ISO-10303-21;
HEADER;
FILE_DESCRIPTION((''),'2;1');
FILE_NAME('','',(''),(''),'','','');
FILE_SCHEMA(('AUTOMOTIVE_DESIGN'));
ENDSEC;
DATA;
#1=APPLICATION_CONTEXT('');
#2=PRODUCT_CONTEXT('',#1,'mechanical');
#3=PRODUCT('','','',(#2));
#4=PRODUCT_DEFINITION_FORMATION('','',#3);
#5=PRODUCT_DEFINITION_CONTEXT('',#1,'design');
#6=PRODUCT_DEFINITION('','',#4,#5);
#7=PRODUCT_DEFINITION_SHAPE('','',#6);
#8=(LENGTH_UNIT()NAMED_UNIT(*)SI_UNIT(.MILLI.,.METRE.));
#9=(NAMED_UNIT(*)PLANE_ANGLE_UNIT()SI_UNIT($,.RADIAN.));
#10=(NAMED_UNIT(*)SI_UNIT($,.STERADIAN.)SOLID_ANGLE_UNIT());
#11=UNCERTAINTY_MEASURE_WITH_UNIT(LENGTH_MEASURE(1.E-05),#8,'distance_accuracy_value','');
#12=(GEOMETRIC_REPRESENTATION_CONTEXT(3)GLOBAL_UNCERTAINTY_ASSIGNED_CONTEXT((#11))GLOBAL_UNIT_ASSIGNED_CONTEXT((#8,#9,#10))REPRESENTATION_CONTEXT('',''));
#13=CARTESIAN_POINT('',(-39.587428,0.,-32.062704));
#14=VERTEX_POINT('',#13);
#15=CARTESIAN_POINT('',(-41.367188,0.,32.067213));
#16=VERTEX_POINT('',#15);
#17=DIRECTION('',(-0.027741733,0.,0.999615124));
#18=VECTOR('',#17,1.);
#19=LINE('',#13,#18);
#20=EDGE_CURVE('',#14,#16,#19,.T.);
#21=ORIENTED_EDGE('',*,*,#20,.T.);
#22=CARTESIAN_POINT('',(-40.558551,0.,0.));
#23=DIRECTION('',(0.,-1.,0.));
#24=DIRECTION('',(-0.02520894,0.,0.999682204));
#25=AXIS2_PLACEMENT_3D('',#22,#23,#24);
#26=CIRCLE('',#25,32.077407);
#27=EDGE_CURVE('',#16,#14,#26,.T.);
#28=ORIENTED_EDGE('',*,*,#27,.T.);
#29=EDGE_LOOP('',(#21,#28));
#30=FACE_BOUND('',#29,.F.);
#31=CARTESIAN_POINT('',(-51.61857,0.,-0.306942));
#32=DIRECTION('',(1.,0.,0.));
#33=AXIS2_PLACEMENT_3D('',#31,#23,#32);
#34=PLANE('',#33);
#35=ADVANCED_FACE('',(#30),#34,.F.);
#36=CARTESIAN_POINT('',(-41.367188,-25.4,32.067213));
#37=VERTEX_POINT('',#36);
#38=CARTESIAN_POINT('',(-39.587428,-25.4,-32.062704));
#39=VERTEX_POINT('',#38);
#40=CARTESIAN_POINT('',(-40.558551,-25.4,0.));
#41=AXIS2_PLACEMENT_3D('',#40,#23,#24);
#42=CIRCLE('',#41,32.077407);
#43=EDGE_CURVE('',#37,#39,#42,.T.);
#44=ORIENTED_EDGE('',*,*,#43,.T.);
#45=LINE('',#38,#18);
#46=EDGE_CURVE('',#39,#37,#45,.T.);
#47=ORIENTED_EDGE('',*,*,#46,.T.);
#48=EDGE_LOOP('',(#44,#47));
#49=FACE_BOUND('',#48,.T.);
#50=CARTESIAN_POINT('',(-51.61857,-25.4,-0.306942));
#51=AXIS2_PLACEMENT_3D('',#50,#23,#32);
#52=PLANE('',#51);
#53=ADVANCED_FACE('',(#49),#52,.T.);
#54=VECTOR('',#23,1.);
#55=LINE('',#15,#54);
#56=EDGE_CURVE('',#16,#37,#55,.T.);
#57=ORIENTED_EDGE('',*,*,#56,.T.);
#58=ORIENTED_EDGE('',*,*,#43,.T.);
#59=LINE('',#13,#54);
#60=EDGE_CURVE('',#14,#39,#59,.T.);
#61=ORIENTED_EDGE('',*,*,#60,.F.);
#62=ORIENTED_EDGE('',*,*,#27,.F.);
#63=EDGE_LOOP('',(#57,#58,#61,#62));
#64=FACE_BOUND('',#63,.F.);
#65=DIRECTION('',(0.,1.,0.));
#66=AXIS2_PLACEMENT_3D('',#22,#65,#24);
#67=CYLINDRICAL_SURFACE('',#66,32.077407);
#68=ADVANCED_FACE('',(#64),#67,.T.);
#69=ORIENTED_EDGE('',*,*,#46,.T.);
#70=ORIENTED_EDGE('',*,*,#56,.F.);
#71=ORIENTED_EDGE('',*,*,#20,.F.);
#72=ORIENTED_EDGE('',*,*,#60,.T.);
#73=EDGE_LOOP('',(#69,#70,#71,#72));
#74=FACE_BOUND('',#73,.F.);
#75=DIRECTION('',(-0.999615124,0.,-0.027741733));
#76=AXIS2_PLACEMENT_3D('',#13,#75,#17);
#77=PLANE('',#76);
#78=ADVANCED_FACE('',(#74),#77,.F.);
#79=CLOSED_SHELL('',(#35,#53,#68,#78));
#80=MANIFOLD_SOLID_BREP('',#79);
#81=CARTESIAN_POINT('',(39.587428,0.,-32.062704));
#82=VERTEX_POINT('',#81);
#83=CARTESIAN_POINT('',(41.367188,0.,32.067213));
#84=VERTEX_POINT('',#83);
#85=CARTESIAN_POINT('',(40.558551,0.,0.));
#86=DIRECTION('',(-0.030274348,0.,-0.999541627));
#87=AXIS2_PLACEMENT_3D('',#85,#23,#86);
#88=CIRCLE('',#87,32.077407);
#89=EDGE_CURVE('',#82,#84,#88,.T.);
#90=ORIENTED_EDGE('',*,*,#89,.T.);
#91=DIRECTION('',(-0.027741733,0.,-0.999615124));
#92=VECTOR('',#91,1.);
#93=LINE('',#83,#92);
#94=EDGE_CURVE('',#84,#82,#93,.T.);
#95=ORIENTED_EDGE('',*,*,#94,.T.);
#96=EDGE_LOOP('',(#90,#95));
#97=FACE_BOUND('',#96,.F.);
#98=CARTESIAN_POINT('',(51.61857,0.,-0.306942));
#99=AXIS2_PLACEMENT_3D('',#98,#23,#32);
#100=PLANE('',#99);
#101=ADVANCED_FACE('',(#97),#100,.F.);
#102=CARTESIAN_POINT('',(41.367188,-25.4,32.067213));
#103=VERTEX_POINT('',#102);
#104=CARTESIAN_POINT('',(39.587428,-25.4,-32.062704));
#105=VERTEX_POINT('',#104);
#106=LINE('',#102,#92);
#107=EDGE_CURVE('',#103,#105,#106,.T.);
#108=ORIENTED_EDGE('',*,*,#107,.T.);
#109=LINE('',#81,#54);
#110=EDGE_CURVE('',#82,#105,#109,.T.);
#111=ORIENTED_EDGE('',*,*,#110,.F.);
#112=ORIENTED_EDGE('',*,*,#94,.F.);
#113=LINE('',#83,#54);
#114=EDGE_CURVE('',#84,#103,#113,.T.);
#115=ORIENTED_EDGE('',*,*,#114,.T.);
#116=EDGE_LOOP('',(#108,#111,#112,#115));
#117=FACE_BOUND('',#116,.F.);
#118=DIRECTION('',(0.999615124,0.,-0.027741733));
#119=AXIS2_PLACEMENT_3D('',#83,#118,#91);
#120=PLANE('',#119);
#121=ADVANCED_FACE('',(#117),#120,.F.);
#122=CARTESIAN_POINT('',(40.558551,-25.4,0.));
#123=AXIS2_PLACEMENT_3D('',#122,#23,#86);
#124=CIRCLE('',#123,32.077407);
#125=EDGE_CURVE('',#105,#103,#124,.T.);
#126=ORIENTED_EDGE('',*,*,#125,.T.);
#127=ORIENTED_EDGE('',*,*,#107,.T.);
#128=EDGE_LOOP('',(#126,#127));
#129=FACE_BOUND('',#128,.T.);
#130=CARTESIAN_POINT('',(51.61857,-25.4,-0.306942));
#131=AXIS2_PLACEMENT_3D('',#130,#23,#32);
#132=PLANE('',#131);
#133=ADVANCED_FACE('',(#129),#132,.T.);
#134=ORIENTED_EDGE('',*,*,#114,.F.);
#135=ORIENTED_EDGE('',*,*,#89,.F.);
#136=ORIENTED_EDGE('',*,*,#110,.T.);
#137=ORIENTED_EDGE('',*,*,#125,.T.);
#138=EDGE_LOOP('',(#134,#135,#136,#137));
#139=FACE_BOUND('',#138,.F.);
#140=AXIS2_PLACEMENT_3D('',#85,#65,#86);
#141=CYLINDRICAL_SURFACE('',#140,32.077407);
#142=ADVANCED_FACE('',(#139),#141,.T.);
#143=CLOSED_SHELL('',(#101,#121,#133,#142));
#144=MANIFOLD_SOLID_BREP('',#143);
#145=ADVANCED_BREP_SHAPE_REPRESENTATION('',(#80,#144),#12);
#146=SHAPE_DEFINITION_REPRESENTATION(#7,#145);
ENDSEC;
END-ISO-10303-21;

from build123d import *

# Parameters (mm, degrees)
F1_DEPTH = 25.4


with BuildPart() as f1:
    # F0 (on Front) → F1 (new body)
    with BuildSketch(Plane.XZ):
        with BuildLine():
            Line((-39.587428, -32.062704), (-41.367188, 32.067213))
            ThreePointArc((-41.367188, 32.067213), (-72.623612, -0.889883), (-39.587428, -32.062704))
        make_face()
        with BuildLine():
            ThreePointArc((39.587428, -32.062704), (72.623612, -0.889883), (41.367188, 32.067213))
            Line((41.367188, 32.067213), (39.587428, -32.062704))
        make_face()
    extrude(amount=F1_DEPTH)


solid = f1.part
